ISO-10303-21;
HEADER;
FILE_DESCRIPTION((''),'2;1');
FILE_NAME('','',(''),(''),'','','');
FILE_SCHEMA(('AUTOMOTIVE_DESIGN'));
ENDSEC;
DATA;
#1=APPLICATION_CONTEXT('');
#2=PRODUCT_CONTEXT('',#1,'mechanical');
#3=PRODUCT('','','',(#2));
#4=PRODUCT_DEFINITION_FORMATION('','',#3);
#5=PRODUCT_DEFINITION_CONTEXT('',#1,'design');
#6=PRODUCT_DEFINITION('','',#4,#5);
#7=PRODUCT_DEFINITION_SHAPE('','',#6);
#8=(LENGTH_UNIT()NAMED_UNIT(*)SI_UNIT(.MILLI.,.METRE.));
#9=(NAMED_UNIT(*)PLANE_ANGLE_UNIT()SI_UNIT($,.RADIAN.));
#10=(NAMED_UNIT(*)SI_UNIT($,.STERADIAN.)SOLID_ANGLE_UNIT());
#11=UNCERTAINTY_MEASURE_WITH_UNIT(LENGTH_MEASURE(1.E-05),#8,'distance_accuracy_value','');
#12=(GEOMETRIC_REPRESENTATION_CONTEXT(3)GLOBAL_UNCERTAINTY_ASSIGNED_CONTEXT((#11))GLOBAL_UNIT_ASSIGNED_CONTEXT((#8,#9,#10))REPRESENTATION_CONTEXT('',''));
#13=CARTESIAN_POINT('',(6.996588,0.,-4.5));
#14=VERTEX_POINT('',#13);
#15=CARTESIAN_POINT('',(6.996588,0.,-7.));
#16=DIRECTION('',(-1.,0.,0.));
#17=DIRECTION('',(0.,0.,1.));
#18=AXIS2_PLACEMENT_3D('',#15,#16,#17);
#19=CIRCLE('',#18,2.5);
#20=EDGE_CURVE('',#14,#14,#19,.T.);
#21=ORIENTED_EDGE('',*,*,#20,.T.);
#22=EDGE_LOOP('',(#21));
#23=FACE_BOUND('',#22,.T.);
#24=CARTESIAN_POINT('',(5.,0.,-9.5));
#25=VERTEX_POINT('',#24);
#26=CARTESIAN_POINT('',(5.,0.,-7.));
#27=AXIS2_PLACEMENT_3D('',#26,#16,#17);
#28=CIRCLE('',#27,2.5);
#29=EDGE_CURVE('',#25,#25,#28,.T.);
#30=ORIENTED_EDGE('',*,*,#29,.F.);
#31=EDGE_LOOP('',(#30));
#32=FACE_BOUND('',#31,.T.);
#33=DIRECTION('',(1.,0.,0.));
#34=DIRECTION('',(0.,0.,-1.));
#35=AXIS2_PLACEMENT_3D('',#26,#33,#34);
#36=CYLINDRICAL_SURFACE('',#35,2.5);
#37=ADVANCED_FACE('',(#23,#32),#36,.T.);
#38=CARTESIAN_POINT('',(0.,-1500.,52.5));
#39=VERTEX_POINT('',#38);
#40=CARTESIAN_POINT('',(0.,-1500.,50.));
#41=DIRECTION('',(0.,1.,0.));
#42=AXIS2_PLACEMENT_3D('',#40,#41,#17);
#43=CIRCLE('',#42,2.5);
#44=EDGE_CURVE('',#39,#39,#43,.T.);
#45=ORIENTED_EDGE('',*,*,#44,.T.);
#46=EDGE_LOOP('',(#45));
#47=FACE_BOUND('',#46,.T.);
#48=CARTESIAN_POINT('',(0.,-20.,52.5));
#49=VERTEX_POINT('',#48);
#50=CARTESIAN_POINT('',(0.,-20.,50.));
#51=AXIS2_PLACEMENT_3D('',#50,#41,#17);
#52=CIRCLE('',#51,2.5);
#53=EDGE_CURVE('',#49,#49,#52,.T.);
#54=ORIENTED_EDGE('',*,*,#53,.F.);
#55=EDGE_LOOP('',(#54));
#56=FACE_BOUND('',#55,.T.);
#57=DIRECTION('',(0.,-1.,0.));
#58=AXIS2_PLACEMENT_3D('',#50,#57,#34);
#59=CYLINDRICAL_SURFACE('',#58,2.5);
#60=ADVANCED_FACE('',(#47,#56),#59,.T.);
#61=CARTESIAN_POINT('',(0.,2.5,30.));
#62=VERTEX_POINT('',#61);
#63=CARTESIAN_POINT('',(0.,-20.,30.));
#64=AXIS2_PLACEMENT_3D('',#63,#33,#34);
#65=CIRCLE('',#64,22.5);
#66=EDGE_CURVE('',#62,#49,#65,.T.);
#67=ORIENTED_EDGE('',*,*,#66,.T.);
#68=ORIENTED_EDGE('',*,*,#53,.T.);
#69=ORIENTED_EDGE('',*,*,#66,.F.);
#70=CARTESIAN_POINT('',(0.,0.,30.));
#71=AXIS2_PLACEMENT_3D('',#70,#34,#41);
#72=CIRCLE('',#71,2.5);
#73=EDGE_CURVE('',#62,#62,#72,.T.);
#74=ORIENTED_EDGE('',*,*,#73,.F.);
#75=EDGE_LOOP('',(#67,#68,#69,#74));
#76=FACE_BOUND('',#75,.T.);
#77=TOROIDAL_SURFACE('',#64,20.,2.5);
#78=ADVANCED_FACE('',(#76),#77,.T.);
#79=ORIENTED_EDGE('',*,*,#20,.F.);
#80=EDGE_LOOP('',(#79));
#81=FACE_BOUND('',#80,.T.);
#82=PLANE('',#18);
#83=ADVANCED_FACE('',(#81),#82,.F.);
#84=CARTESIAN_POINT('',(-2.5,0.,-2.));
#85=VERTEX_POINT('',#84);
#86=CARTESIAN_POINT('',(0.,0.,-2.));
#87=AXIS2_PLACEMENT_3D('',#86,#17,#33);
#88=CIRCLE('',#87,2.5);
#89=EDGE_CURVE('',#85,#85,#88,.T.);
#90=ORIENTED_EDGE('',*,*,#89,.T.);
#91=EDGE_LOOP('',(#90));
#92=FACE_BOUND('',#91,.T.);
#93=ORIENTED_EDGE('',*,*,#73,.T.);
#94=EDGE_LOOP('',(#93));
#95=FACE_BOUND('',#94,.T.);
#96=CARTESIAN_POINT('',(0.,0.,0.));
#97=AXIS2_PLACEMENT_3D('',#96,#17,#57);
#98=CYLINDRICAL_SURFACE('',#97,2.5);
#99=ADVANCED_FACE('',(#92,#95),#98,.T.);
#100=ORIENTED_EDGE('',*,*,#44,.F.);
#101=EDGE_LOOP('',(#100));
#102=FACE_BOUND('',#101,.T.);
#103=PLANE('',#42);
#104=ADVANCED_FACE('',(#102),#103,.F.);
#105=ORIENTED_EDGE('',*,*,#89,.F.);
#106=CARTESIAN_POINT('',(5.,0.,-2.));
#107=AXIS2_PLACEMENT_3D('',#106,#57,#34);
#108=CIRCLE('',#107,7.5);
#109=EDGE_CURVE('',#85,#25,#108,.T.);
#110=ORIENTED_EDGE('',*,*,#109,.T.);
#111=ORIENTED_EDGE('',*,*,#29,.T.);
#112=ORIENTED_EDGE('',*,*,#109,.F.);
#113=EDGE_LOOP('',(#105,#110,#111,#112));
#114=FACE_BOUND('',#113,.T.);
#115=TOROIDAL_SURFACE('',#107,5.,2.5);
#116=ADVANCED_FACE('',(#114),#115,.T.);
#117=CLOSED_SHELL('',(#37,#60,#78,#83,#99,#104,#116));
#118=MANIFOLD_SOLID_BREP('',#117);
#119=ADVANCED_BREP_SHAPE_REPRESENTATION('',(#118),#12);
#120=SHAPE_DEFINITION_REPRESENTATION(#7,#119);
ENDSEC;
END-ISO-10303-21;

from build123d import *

# Parameters (mm, degrees)
VARREDURA1_PROFILE_R = 2.5
VARREDURA2_PROFILE_R = 2.5


with BuildPart() as part:
    # Varredura1: sweep along a path in Esboço1
    with BuildLine(Plane(origin=(0, 0, 0), x_dir=(0, 0, -1), z_dir=(1, 0, 0))) as varredura1_path:
        Line((0, 0), (-30, 0))
        ThreePointArc((-30, 0), (-44.142135624, -5.857864376), (-50, -20))
        Line((-50, -20), (-50, -1500))
    # Varredura1 profile (on start of the path) → Varredura1 (sweep)
    with BuildSketch(Plane(origin=(0, 0, 0), x_dir=(0, 1, 0), z_dir=(0, 0, 1))):
        Circle(VARREDURA1_PROFILE_R)
    sweep(path=varredura1_path.line)

    # Varredura2: sweep along a path in Esboço22
    with BuildLine(Plane(origin=(0, 0, 0), x_dir=(1, 0, 0), z_dir=(0, 1, 0))) as varredura2_path:
        Line((0, 0), (0, 2))
        ThreePointArc((0, 2), (1.464466094, 5.535533906), (5, 7))
        Line((5, 7), (6.99658834, 7))
    # Varredura2 profile (on start of the path) → Varredura2 (sweep)
    with BuildSketch(Plane(origin=(0, 0, 0), x_dir=(-1, 0, 0), z_dir=(0, 0, -1))):
        Circle(VARREDURA2_PROFILE_R)
    sweep(path=varredura2_path.line)


solid = part.part
